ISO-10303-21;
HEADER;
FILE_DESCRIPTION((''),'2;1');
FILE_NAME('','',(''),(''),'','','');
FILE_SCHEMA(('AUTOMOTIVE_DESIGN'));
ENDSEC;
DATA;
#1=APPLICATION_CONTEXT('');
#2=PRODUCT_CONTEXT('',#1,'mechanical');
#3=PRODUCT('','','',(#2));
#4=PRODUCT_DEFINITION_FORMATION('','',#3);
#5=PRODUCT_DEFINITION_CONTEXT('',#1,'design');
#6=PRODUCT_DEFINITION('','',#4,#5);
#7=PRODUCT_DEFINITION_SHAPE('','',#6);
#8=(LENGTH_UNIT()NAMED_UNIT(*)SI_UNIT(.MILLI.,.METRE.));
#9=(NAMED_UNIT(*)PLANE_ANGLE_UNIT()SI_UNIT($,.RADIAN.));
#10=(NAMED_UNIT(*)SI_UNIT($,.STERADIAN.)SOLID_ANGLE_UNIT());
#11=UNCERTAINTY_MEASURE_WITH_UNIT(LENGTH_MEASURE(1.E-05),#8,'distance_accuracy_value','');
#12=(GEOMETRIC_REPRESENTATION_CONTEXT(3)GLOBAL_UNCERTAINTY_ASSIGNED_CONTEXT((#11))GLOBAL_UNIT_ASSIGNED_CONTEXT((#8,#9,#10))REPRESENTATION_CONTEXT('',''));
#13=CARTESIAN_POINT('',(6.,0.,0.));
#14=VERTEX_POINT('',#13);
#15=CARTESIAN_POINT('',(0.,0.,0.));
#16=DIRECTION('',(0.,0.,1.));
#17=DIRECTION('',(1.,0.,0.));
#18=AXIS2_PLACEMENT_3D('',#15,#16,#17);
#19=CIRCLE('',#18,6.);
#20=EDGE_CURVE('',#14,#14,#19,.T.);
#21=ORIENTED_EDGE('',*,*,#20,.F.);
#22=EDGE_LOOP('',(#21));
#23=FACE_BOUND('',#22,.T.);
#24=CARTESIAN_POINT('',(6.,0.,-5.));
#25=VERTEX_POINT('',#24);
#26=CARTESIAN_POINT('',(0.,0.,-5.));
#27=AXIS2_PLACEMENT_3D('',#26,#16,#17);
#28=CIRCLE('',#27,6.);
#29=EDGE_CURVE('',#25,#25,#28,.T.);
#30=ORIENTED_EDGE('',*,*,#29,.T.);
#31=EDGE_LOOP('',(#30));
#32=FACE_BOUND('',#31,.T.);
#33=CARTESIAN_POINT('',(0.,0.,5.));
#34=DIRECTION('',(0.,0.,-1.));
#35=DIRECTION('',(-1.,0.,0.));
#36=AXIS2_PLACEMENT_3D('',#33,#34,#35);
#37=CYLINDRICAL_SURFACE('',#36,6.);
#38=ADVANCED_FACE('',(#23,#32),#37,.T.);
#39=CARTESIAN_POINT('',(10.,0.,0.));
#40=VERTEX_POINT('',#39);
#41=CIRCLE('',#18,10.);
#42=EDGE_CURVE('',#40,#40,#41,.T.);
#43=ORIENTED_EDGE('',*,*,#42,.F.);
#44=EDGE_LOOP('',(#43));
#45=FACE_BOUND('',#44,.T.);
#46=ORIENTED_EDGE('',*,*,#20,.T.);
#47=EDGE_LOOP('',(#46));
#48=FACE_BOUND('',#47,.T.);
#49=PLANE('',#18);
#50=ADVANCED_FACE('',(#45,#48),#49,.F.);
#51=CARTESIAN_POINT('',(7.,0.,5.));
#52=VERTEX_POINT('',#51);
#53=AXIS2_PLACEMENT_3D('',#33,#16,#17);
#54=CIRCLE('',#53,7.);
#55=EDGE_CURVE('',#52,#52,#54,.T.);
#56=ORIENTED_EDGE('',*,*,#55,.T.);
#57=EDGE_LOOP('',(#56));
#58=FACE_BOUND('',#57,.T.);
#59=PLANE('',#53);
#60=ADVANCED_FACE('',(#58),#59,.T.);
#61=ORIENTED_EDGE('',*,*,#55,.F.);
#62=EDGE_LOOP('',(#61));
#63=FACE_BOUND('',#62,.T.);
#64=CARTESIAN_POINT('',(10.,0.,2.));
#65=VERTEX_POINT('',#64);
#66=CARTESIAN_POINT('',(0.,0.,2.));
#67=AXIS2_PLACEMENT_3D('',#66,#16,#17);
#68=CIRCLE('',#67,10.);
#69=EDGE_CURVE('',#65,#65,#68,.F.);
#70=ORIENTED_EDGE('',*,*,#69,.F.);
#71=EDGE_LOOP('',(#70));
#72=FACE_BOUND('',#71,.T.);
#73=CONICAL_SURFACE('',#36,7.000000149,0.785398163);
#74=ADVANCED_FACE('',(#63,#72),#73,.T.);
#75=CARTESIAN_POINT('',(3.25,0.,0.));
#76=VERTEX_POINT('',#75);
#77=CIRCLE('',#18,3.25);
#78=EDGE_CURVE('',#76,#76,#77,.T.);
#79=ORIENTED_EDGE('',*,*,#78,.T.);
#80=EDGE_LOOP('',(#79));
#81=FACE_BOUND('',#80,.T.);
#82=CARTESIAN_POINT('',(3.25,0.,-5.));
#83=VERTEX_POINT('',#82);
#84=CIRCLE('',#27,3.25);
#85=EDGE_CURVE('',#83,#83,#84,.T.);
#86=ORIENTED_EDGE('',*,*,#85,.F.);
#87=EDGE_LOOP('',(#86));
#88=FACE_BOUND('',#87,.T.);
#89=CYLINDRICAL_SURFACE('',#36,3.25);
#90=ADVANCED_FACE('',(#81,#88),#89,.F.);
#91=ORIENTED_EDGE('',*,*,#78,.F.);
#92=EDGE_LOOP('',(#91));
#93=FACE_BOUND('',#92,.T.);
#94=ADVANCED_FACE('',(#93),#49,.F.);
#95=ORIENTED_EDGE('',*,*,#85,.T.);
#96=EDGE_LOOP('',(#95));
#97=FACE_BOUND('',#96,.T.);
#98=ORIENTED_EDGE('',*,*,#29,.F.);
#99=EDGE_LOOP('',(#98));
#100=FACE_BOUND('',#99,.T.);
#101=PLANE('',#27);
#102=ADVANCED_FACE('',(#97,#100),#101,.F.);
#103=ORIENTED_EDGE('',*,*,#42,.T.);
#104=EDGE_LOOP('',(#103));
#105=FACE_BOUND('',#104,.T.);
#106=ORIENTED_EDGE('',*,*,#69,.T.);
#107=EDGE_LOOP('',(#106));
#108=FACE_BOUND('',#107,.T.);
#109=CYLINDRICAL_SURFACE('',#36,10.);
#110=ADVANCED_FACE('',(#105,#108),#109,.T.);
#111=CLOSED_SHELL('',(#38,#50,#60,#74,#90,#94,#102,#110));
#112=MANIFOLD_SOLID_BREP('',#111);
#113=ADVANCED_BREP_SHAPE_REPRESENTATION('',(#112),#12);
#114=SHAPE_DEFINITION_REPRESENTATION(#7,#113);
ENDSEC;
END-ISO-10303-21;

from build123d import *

# Parameters (mm, degrees)
BOSS_EXTRUDE1_DEPTH      = 5
BOSS_EXTRUDE1_DEPTH_BACK = 5
SKETCH1_R                = 6
SKETCH1_R_2              = 3.25
SKETCH2_R                = 10.000000149
BOSS_EXTRUDE2_DEPTH      = 5
CHAMFER1_SIZE            = 3


with BuildPart() as part:
    # Sketch1 → Boss-Extrude1 (new, two sides: drawn at the far end of the back side and taken through both)
    with BuildSketch(Plane.XY.offset(-BOSS_EXTRUDE1_DEPTH_BACK)):
        Circle(SKETCH1_R)
        Circle(SKETCH1_R_2, mode=Mode.SUBTRACT)
    extrude(amount=BOSS_EXTRUDE1_DEPTH + BOSS_EXTRUDE1_DEPTH_BACK)

    # Sketch2 → Boss-Extrude2 (add)
    with BuildSketch(Plane.XY):
        Circle(SKETCH2_R)
    extrude(amount=BOSS_EXTRUDE2_DEPTH)

    # Chamfer1
    chamfer1_edges = [part.edges().sort_by_distance(p)[0] for p in [
        (-10.000000149, 0, 5),
    ]]
    chamfer(chamfer1_edges, length=CHAMFER1_SIZE)


solid = part.part
